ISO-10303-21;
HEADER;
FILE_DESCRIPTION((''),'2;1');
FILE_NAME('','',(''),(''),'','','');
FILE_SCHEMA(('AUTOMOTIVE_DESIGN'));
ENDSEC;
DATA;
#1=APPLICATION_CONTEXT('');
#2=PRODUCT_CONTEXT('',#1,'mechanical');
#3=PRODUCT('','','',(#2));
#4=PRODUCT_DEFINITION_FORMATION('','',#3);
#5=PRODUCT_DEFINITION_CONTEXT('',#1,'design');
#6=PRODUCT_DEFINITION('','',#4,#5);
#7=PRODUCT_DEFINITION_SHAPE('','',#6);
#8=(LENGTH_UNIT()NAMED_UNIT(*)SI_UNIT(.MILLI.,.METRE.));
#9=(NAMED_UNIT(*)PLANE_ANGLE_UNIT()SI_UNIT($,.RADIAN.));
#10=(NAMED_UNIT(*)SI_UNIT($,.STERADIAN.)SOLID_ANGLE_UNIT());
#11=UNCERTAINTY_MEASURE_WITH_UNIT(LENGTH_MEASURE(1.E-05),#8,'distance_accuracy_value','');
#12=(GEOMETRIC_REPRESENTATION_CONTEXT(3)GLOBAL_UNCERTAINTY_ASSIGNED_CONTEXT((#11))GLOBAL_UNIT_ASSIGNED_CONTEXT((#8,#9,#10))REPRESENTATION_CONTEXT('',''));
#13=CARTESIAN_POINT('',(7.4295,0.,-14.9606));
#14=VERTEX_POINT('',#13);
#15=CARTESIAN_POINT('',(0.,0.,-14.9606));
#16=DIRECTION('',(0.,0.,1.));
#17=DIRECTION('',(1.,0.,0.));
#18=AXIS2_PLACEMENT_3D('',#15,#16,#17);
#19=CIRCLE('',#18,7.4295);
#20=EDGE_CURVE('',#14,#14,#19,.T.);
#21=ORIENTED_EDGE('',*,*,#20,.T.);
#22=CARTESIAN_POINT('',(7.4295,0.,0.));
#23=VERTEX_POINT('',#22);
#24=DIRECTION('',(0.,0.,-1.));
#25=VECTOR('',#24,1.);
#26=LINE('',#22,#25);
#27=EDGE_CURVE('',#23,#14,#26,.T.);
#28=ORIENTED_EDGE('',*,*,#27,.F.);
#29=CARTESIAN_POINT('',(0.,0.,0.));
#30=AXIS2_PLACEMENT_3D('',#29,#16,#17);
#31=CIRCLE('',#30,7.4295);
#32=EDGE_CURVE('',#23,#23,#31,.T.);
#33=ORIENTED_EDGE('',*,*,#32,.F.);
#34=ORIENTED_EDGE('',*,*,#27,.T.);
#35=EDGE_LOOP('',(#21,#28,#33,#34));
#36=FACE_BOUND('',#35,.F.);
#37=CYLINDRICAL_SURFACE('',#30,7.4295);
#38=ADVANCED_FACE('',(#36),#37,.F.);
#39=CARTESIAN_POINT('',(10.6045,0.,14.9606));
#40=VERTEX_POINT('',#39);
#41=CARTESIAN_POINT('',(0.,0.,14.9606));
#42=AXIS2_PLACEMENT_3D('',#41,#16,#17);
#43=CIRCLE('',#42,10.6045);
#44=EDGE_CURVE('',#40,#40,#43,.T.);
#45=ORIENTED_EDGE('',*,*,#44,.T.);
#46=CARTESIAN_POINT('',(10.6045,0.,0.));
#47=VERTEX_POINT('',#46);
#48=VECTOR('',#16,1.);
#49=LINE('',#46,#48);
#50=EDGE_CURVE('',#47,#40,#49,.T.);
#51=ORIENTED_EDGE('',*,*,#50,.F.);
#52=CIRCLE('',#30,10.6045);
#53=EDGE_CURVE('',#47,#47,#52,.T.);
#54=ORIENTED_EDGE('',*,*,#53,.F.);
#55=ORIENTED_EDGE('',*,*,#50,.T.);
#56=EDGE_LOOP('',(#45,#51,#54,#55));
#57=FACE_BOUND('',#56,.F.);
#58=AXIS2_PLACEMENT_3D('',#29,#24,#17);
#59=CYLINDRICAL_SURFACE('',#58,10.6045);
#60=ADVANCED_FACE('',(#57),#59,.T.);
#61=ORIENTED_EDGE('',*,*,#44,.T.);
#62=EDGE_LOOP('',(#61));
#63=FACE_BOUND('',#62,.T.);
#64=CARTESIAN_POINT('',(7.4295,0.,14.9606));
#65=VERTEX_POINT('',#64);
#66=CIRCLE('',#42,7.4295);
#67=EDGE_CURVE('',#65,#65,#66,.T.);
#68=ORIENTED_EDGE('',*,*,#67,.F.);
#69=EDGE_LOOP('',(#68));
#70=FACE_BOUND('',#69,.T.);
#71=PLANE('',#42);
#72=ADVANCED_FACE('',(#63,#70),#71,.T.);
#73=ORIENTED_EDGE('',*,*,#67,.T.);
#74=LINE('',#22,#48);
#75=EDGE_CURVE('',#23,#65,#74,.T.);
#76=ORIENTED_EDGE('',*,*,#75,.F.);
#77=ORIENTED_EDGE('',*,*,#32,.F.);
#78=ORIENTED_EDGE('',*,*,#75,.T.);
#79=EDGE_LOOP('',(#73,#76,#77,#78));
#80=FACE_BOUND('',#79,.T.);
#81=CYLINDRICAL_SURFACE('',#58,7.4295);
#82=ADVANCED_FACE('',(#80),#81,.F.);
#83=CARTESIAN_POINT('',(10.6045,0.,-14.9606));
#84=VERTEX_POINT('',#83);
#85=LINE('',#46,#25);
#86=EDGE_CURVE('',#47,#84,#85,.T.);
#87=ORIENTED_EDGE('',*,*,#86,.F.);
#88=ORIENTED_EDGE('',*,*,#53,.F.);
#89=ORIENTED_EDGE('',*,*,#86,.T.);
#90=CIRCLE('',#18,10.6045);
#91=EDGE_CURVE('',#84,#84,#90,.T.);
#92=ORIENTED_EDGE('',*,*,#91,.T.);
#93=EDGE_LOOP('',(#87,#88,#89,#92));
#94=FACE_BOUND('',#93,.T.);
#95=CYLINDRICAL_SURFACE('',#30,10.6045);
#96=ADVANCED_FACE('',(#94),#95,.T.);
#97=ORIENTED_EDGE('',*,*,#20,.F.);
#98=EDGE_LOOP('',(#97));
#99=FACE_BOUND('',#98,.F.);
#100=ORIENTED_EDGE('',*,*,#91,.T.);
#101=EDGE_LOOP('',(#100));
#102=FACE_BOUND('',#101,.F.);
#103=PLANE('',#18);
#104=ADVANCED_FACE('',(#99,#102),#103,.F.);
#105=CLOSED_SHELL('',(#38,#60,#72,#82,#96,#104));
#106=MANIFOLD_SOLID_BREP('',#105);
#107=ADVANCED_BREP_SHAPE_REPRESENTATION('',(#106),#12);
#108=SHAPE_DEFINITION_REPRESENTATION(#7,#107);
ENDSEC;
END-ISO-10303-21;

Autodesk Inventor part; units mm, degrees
ref_plane "YZ Plane" through (0, 0, 0) normal (1, 0, 0) x (0, 1, 0)
ref_plane "XZ Plane" through (0, 0, 0) normal (0, 1, 0) x (-1, 0, 0)
ref_plane "XY Plane" through (0, 0, 0) normal (0, 0, 1) x (1, 0, 0)
sketch "Sketch1" plane through (0, 0, 0) normal (0, 0, 1) x (1, 0, 0)
  circle A0 centre (0, 0) radius 7.4295
  circle A1 centre (0, 0) radius 10.6045
  dimension "d0" = 14.859
  dimension "d1" = 3.175
extrude "Extrusion1" add sketch "Sketch1" along normal mid plane 29.9212
properties part number "GP5-015" material "ABS Plastic"
